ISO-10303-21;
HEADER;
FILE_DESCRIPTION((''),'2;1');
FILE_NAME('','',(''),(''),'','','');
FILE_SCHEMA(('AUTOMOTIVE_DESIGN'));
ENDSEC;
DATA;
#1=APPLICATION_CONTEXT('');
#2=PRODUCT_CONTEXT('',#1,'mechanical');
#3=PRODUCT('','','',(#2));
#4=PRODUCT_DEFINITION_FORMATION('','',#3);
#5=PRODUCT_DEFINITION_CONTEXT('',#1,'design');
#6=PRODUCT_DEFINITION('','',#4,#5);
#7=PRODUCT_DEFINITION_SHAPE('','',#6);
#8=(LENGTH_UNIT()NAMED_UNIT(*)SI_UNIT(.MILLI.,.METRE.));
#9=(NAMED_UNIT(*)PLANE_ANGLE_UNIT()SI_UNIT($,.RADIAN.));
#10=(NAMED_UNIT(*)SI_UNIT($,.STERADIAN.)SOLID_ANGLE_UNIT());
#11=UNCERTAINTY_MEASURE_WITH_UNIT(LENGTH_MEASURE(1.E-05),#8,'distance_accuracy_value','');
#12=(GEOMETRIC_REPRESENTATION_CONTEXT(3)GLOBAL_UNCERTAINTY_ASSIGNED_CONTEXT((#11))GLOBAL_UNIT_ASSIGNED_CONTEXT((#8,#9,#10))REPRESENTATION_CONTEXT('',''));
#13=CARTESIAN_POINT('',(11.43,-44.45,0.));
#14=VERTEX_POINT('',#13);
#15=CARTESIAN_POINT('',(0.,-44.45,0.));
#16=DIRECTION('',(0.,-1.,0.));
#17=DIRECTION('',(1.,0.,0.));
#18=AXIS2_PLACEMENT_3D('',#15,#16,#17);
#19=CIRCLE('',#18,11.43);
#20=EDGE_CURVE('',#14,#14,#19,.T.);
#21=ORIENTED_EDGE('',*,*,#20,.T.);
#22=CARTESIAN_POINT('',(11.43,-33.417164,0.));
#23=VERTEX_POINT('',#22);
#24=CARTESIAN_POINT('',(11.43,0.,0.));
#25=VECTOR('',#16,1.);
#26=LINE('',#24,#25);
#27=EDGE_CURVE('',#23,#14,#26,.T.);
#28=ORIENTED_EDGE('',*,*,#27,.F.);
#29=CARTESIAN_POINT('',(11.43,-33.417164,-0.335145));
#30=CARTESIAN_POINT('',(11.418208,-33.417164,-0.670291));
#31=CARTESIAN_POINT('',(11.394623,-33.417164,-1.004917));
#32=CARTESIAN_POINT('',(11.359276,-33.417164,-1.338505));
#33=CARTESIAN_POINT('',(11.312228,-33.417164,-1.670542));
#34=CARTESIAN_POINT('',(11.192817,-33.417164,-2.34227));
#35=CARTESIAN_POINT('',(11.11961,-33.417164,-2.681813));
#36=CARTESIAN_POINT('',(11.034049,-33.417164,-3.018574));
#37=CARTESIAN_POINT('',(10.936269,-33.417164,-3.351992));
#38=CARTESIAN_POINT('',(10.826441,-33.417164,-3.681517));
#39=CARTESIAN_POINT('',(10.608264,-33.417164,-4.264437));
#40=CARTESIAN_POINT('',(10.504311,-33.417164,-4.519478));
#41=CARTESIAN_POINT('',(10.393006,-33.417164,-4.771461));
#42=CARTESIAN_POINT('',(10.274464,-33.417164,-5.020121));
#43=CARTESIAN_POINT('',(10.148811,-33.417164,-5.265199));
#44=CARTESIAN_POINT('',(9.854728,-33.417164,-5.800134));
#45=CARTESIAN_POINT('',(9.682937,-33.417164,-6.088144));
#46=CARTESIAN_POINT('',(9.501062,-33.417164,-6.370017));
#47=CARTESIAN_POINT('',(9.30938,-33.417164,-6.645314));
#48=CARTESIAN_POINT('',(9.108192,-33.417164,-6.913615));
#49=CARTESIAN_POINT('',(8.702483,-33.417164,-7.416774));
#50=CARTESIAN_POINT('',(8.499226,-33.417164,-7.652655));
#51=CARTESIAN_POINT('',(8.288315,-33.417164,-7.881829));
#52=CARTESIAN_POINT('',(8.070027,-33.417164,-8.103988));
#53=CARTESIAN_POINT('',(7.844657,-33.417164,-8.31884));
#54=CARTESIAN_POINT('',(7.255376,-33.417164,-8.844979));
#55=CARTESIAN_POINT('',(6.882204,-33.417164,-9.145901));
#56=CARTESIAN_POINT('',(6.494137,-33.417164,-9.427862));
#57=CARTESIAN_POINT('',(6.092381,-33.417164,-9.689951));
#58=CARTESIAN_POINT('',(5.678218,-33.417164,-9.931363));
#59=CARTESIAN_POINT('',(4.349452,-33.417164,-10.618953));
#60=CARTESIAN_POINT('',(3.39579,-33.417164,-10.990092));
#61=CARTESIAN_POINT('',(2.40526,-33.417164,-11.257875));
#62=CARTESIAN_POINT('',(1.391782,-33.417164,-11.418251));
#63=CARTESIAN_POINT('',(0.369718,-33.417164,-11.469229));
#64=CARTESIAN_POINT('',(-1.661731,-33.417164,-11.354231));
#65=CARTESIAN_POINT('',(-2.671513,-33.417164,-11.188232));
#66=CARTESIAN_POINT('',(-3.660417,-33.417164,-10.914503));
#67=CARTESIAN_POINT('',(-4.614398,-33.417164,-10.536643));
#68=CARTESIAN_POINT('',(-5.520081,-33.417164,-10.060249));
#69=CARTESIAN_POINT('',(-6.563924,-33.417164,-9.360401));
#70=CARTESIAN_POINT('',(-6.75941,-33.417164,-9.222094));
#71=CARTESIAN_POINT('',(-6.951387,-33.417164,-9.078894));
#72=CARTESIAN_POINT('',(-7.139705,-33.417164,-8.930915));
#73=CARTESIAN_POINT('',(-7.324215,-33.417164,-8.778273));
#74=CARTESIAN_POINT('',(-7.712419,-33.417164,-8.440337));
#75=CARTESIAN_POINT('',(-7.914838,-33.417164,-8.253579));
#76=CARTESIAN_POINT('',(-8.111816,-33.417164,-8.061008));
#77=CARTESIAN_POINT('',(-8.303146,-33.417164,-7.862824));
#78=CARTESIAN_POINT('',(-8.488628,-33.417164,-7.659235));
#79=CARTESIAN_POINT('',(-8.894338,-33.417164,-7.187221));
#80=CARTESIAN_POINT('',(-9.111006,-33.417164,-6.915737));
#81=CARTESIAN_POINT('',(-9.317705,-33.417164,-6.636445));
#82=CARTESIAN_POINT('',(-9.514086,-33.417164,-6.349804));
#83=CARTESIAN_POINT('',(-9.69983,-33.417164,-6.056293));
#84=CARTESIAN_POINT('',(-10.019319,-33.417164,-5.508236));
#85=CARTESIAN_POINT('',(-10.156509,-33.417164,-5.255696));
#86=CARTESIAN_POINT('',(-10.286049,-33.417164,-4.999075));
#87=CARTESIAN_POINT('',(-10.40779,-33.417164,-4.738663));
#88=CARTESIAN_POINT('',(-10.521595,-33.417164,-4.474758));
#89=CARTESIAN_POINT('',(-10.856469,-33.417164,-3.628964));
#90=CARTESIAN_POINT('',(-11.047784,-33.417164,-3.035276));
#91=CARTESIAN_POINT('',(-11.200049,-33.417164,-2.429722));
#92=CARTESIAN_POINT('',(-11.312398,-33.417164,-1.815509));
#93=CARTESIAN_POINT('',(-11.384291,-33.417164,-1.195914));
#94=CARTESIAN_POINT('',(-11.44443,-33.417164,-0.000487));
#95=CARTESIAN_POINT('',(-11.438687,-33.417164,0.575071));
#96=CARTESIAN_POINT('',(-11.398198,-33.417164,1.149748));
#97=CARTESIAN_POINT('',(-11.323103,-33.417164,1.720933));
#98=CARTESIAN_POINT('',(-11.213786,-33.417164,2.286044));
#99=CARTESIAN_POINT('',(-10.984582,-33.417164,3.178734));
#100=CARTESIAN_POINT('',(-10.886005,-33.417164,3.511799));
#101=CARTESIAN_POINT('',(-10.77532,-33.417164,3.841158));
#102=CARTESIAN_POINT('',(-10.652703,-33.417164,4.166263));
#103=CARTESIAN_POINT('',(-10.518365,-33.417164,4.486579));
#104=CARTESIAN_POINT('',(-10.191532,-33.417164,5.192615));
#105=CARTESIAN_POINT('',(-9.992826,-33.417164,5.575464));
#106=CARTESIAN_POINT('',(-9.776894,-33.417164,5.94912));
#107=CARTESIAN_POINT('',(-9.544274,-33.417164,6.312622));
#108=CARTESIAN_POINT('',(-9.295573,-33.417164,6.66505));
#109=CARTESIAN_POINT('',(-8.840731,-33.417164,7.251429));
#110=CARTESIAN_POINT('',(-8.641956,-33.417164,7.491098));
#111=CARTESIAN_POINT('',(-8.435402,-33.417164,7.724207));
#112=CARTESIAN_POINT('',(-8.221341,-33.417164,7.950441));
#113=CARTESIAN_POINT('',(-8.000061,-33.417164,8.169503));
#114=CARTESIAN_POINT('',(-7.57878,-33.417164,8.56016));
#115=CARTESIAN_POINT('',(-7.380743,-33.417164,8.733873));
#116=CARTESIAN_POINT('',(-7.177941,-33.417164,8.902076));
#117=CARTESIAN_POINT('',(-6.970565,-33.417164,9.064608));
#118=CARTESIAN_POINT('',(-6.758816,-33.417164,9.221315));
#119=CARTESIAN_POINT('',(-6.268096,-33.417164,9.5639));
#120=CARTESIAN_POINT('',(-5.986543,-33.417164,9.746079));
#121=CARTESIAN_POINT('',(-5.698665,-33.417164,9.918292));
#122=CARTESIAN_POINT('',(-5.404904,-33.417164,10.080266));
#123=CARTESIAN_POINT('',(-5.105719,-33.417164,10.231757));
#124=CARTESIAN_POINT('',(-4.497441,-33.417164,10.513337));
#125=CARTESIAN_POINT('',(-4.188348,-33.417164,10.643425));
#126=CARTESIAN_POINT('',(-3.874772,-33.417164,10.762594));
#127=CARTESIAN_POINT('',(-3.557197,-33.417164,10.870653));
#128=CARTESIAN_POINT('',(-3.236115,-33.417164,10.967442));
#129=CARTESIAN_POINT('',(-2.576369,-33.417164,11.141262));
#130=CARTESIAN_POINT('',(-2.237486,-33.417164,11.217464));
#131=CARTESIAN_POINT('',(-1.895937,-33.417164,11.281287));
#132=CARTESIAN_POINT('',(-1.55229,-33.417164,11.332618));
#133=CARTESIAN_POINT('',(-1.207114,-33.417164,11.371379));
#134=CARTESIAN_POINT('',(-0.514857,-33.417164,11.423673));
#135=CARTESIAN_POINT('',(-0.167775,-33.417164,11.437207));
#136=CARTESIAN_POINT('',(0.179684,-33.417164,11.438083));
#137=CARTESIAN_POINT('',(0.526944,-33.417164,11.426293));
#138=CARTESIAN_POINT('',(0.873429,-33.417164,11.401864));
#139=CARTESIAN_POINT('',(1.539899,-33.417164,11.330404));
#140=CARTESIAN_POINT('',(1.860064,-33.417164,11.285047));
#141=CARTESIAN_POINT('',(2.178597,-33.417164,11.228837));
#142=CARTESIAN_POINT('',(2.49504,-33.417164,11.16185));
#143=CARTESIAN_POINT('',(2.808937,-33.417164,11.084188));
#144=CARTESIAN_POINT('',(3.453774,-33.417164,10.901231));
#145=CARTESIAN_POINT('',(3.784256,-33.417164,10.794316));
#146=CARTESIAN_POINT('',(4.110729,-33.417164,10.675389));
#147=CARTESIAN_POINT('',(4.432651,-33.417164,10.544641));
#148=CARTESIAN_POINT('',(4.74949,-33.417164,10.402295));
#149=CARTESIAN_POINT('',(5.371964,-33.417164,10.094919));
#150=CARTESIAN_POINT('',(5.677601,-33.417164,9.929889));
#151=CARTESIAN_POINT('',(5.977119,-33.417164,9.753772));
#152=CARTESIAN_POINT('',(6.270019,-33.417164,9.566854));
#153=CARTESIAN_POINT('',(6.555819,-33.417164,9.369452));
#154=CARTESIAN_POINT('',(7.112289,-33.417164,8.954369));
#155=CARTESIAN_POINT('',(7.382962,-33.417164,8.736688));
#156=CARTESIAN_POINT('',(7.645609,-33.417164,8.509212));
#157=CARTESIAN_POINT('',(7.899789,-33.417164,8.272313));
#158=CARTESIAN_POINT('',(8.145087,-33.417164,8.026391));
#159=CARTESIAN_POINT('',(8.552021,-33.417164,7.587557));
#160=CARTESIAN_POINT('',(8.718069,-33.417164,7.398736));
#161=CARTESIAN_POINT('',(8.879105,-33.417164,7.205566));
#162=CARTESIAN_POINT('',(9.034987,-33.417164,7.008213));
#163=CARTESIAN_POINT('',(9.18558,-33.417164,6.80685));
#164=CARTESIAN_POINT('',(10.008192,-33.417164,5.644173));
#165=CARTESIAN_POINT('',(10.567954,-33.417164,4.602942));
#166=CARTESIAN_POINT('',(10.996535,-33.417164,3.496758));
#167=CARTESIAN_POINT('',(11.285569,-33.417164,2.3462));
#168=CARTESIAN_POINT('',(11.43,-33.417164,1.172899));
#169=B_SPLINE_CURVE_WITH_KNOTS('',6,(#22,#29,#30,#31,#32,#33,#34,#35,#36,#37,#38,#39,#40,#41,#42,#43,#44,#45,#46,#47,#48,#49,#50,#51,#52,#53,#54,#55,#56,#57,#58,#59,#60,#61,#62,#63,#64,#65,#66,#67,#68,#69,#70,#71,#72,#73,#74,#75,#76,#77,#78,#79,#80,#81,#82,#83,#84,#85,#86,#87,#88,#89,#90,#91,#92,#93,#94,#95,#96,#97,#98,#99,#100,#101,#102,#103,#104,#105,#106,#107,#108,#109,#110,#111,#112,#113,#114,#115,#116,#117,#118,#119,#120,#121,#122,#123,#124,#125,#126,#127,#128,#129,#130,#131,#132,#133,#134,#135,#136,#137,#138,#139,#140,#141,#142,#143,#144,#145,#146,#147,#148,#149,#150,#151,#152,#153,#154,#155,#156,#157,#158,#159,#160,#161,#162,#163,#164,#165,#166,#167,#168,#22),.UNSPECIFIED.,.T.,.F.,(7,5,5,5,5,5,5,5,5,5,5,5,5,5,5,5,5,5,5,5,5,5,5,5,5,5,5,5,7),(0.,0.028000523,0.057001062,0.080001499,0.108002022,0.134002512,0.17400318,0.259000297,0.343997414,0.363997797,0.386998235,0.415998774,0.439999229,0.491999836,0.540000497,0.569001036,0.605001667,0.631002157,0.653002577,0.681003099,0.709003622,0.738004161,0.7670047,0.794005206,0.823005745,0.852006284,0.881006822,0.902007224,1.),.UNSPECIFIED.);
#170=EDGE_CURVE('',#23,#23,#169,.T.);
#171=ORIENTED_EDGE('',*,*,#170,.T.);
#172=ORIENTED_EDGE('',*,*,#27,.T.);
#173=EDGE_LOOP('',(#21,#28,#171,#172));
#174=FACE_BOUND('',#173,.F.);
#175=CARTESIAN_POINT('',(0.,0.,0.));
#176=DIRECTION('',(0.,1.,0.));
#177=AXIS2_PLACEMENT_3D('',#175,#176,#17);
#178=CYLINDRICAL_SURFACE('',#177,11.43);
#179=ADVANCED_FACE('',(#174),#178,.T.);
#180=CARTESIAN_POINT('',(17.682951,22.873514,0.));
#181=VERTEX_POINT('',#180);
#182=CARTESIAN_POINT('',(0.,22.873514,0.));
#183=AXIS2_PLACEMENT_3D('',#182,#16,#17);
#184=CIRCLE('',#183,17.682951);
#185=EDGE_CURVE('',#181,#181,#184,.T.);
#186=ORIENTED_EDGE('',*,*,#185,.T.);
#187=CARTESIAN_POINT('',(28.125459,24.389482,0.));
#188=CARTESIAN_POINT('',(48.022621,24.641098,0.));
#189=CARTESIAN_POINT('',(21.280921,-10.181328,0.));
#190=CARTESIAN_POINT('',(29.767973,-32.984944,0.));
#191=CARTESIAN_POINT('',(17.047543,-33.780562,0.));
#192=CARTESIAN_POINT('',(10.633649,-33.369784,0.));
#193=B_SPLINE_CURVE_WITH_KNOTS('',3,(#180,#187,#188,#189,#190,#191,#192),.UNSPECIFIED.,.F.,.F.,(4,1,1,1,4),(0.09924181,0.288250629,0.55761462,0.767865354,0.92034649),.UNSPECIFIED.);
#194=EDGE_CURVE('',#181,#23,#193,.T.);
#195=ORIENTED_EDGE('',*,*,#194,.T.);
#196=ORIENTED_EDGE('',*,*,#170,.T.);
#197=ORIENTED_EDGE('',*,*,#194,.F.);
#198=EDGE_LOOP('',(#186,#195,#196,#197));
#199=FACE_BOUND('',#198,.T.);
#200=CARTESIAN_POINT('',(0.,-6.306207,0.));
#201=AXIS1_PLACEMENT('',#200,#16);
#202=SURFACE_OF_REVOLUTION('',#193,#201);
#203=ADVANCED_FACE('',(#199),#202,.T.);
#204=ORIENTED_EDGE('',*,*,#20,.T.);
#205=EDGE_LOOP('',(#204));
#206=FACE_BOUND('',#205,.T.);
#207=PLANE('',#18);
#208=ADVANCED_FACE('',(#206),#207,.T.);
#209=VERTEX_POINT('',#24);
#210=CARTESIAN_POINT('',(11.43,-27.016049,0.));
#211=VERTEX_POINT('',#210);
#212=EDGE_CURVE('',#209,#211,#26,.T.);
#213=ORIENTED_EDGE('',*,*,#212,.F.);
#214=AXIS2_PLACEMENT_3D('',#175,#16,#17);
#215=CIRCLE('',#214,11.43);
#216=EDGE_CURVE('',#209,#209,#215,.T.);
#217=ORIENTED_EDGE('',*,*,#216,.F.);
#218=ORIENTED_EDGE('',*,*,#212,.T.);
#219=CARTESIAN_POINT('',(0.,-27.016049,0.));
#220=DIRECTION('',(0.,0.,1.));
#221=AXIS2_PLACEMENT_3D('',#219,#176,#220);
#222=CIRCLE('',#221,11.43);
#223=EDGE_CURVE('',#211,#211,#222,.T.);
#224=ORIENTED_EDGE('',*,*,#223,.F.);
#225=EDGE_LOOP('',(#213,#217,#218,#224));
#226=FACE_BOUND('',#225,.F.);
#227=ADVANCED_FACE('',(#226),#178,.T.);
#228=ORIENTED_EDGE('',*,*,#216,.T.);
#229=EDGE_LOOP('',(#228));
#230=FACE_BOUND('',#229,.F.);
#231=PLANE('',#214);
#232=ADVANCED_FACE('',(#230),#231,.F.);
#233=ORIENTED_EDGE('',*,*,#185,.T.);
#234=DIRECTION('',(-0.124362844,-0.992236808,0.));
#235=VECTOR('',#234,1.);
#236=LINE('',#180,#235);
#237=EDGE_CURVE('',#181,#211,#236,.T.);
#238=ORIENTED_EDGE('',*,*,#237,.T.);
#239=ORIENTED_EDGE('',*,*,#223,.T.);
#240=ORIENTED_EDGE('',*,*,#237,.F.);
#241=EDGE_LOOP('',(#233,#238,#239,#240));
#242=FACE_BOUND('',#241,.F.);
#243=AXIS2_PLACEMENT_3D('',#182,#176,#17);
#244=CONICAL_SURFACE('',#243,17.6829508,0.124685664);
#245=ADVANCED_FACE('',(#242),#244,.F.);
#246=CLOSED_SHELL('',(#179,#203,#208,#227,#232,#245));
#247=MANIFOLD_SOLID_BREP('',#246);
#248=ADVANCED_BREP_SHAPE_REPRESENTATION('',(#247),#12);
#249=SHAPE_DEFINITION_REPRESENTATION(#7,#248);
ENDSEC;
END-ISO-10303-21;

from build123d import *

# Parameters (mm, degrees)
F2_R     = 11.43
F3_DEPTH = 44.45


with BuildPart() as f1:
    # F0 (on Top) → F1 (revolve)
    with BuildSketch(Plane.XY):
        with BuildLine():
            add(Edge.make_bspline(
                [(17.6829508, 22.8735139918), (28.1254590733, 24.3894817723), (48.0226212143, 24.6410984853), (21.2809213002, -10.1813279097), (29.7679732492, -32.9849444062), (17.0475428929, -33.7805617249), (10.6336492771, -33.3697836943)],
                knots=[0.0992418097, 0.0992418097, 0.0992418097, 0.0992418097, 0.2882506294, 0.5576146203, 0.7678653541, 0.92034649, 0.92034649, 0.92034649, 0.92034649], degree=3))
            Line((17.6829508, 22.8735139918), (10.6336492771, -33.3697836943))
        make_face()
    revolve(axis=Axis((0, -6.3062068075, 0), (0, -1, 0)))

    # F2 (on Front) → F3 (join)
    with BuildSketch(Plane.XZ):
        Circle(F2_R)
    extrude(amount=F3_DEPTH)


solid = f1.part
